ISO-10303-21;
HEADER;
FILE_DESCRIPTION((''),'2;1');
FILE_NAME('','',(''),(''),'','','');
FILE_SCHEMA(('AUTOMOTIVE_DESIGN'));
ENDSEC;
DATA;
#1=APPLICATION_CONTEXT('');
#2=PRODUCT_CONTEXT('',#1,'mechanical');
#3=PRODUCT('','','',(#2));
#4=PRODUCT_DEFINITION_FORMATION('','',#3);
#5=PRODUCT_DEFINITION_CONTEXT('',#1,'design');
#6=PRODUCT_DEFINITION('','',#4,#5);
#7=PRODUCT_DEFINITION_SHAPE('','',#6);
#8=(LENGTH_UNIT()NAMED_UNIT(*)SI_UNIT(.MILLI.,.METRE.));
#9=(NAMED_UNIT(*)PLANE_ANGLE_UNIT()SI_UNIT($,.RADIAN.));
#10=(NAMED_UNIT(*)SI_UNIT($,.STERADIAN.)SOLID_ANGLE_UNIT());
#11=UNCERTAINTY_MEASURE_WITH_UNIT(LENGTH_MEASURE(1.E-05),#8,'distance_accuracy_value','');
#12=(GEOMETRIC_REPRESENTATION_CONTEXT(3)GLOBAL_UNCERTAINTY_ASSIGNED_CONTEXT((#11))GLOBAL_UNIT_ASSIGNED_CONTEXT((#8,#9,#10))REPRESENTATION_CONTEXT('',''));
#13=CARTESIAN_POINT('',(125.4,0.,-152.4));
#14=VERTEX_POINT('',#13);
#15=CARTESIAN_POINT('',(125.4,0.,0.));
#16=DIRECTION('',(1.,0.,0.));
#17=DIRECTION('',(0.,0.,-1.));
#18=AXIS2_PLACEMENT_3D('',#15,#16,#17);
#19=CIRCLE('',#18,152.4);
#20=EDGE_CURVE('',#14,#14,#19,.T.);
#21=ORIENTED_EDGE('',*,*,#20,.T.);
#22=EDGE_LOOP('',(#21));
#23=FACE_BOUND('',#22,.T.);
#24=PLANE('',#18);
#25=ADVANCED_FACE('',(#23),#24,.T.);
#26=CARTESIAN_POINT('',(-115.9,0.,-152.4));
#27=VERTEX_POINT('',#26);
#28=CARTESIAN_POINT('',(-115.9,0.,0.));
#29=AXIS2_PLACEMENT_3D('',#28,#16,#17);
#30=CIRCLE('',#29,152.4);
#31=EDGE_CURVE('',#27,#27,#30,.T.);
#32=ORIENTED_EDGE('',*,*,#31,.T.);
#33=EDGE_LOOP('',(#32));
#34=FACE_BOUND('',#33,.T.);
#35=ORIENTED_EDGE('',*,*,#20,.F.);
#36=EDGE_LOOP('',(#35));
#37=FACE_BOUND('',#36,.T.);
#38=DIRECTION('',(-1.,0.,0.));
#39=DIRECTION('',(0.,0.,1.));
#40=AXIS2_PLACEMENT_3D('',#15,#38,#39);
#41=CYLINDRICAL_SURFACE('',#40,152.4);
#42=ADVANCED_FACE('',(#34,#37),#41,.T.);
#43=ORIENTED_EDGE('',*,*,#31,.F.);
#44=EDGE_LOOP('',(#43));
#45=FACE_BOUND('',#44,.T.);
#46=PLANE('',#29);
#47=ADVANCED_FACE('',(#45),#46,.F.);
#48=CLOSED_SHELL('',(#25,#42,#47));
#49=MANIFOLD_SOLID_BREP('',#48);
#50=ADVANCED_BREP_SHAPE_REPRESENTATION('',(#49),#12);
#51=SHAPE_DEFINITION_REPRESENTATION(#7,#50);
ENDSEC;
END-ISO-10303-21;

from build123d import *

# Parameters (mm, degrees)
SKETCH1_R           = 6
BOSS_EXTRUDE1_DEPTH = 9.5
SCALE1_SCALE        = 25.4


with BuildPart() as part:
    # Sketch1 → Boss-Extrude1 (new body)
    with BuildSketch(Plane(origin=(0, 0, 0), x_dir=(0, 0, -1), z_dir=(1, 0, 0))):
        Circle(SKETCH1_R)
    extrude(amount=BOSS_EXTRUDE1_DEPTH)


with BuildPart() as part_1:
    # Scale1: scaled about (4.75, 0, 0)
    add(part.part.scale(SCALE1_SCALE).moved(Location((-115.9, 0, 0))))


solid = part_1.part
